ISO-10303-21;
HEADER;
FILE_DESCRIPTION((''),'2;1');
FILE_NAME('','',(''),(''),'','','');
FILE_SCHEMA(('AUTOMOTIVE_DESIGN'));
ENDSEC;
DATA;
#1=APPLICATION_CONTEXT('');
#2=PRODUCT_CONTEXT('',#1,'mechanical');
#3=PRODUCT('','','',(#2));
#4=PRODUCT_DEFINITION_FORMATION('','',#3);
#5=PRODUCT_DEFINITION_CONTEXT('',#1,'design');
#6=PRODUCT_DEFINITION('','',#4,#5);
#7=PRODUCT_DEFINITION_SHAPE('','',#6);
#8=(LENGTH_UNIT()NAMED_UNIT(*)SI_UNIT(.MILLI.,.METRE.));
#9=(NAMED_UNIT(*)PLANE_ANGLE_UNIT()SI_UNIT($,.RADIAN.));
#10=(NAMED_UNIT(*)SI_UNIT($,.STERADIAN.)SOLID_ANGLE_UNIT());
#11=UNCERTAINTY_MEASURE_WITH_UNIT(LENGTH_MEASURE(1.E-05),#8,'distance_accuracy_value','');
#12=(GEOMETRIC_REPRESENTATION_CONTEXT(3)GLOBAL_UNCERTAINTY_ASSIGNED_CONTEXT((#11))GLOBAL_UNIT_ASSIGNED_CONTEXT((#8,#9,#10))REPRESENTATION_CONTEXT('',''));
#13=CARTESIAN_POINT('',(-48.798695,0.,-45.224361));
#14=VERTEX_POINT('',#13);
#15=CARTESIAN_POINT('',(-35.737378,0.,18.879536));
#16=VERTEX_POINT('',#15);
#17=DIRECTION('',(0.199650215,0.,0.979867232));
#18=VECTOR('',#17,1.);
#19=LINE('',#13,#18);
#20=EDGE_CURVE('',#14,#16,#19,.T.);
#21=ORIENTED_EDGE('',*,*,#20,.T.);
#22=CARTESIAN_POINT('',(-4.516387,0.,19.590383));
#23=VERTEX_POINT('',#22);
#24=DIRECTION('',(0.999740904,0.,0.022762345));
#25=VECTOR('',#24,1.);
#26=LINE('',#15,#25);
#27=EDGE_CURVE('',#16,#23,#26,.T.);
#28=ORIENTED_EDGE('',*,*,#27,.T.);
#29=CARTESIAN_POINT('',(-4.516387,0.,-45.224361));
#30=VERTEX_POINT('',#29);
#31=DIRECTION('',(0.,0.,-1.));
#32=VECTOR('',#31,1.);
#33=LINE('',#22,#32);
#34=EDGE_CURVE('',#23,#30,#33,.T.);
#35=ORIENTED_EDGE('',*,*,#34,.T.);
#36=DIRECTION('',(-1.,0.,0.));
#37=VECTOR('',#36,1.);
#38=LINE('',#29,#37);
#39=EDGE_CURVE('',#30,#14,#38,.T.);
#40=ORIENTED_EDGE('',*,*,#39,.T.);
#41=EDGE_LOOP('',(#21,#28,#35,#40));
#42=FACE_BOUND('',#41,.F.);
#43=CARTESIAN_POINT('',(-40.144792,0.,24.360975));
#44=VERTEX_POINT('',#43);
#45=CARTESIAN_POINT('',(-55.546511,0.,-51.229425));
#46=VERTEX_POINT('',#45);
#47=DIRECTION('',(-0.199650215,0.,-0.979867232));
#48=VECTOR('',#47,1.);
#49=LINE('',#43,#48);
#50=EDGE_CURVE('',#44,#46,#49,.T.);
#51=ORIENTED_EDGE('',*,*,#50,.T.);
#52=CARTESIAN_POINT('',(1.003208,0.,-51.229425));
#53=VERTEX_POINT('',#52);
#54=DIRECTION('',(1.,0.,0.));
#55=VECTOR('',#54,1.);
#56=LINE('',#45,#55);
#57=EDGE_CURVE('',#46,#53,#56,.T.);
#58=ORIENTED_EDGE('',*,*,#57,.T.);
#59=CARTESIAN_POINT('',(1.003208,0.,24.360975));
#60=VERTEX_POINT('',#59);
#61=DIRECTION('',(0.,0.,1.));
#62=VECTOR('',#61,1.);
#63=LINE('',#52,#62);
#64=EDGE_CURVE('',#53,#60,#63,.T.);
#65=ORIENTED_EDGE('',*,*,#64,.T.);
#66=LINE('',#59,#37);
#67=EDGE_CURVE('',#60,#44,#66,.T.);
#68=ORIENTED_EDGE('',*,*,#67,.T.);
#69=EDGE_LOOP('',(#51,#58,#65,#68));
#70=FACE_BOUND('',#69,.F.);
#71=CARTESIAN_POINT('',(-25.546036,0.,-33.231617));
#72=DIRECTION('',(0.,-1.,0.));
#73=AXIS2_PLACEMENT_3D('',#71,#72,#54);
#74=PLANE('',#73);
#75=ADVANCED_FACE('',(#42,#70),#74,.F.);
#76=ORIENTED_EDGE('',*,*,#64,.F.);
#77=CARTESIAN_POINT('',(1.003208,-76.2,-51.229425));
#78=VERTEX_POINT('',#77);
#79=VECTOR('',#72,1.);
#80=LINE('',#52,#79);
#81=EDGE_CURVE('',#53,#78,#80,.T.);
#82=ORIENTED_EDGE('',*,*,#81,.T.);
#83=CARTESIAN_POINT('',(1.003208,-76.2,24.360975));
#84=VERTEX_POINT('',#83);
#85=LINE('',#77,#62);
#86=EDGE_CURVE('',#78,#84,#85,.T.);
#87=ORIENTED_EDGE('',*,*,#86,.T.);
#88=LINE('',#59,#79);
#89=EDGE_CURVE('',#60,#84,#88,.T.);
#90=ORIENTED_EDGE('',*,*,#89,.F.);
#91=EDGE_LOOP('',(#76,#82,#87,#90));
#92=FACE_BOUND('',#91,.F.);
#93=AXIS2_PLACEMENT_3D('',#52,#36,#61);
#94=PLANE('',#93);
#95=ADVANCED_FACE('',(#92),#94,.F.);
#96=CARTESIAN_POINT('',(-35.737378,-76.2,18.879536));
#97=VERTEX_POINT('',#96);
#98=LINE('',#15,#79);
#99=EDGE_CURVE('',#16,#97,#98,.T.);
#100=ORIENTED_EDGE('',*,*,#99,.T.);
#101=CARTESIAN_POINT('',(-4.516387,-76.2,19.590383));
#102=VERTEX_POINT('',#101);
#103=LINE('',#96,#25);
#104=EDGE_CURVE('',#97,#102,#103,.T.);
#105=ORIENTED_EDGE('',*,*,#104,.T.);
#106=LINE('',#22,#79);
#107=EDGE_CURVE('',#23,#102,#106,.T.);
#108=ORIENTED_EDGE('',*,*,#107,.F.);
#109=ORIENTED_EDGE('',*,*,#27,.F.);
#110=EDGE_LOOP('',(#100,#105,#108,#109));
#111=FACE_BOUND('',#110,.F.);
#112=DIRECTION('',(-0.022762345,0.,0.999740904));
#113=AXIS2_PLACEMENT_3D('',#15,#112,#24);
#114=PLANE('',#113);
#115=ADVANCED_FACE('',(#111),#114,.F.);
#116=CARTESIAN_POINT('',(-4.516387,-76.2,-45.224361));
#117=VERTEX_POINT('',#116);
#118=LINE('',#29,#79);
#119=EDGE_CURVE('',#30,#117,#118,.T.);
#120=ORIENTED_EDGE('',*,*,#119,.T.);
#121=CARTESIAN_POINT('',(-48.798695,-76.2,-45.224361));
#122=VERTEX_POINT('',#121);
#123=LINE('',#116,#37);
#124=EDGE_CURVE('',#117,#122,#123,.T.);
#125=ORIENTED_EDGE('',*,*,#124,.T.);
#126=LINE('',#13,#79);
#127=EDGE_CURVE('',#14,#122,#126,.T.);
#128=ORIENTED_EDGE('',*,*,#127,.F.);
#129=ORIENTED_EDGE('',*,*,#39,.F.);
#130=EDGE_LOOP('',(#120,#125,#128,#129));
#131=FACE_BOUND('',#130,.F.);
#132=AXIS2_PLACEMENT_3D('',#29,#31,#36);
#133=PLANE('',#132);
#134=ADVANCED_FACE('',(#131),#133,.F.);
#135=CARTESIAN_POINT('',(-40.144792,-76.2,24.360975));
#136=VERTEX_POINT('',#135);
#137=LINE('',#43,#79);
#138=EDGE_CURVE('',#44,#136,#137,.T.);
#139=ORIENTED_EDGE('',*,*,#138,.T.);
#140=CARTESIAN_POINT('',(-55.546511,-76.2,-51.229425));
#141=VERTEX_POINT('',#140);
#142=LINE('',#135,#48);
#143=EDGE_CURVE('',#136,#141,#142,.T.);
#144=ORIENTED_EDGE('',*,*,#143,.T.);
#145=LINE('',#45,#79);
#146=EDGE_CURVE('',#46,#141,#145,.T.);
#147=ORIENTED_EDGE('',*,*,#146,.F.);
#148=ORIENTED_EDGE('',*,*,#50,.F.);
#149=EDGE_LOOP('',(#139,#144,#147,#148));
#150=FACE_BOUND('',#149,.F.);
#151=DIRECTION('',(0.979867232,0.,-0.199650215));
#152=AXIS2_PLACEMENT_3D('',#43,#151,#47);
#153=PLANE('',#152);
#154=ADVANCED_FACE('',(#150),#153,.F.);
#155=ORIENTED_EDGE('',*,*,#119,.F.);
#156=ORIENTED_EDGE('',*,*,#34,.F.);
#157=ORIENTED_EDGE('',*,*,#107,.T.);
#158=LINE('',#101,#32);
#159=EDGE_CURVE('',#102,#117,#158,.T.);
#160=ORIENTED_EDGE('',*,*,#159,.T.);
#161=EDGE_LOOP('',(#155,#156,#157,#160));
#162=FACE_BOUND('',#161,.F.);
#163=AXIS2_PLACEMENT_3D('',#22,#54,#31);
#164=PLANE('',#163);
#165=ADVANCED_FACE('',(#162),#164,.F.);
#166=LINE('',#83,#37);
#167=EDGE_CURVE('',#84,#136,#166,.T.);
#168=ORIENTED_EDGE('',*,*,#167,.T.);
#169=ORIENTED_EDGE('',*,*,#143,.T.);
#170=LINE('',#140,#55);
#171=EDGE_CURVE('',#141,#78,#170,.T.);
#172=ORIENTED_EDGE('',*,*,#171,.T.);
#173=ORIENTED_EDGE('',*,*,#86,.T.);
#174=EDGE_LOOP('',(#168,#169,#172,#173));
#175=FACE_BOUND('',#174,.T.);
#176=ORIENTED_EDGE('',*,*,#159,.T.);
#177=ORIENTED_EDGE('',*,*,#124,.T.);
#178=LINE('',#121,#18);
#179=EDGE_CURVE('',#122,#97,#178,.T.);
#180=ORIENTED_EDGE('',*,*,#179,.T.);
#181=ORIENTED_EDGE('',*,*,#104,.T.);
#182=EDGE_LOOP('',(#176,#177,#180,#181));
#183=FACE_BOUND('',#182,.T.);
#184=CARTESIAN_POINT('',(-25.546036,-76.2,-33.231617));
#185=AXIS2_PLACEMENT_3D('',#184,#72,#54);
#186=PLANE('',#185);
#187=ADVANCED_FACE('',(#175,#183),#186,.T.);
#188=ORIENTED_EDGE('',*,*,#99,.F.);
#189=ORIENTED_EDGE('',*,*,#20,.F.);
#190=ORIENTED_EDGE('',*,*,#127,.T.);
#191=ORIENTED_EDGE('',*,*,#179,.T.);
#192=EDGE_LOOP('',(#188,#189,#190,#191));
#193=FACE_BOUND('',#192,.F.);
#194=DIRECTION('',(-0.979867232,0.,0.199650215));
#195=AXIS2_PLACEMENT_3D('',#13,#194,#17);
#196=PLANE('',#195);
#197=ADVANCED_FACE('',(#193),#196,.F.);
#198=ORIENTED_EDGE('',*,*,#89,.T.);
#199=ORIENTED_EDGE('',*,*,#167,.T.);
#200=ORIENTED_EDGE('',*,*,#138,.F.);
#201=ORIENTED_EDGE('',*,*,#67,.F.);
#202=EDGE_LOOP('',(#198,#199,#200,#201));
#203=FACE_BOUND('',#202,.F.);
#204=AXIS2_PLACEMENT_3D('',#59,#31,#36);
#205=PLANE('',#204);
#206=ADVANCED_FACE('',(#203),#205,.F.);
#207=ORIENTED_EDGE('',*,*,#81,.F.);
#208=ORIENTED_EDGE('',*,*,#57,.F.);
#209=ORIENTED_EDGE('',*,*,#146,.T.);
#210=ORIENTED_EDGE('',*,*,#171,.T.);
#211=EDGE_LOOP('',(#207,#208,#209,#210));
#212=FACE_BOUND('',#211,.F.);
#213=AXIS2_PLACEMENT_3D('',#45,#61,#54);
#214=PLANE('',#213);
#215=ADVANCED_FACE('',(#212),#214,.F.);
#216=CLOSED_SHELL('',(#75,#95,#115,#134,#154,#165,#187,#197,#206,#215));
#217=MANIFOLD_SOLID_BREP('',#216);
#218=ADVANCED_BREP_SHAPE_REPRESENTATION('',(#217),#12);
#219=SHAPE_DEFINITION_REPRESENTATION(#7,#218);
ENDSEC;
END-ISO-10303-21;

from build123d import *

# Parameters (mm, degrees)
F1_DEPTH = 76.2
F3_DEPTH = 76.2


with BuildPart() as f1:
    # F0 (on Front) → F1 (new body)
    with BuildSketch(Plane.XZ):
        Polygon((-22.8142144348, -7.4759378075), (-40.1447920939, -30.6418407269), (-40.1447920939, -51.2294247746), (-14.3985109646, -51.2294247746), (-10.2037430876, -30.6418407269), align=None)
        Polygon((-14.3985109646, -51.2294247746), (1.0032079061, -51.2294247746), (-10.2037430876, -30.6418407269), align=None)
        Polygon((1.0032079061, -51.2294247746), (1.0032079061, 24.3609752254), (-10.2037430876, -30.6418407269), align=None)
        Polygon((-10.2037430876, -30.6418407269), (1.0032079061, 24.3609752254), (-22.8142144348, -7.4759378075), align=None)
        Polygon((1.0032079061, 24.3609752254), (-40.1447920939, 24.3609752254), (-22.8142144348, -7.4759378075), align=None)
        Polygon((-22.8142144348, -7.4759378075), (-40.1447920939, 24.3609752254), (-40.1447920939, -30.6418407269), align=None)
        Polygon((-40.1447920939, -51.2294247746), (-40.1447920939, -30.6418407269), (-55.5465109646, -51.2294247746), align=None)
        Polygon((-40.1447920939, -30.6418407269), (-40.1447920939, 24.3609752254), (-55.5465109646, -51.2294247746), align=None)
    extrude(amount=F1_DEPTH)

    # F2 (on face) → F3 (cut)
    with BuildSketch(Plane(origin=(0, 0, 0), x_dir=(-1, 0, 0), z_dir=(0, 1, 0))):
        Polygon((35.7373778162, 18.879536265), (4.5163868926, 19.5903833956), (4.5163868926, -45.2243611217), (48.7986952066, -45.2243611217), align=None)
    extrude(amount=-F3_DEPTH, mode=Mode.SUBTRACT)


solid = f1.part
